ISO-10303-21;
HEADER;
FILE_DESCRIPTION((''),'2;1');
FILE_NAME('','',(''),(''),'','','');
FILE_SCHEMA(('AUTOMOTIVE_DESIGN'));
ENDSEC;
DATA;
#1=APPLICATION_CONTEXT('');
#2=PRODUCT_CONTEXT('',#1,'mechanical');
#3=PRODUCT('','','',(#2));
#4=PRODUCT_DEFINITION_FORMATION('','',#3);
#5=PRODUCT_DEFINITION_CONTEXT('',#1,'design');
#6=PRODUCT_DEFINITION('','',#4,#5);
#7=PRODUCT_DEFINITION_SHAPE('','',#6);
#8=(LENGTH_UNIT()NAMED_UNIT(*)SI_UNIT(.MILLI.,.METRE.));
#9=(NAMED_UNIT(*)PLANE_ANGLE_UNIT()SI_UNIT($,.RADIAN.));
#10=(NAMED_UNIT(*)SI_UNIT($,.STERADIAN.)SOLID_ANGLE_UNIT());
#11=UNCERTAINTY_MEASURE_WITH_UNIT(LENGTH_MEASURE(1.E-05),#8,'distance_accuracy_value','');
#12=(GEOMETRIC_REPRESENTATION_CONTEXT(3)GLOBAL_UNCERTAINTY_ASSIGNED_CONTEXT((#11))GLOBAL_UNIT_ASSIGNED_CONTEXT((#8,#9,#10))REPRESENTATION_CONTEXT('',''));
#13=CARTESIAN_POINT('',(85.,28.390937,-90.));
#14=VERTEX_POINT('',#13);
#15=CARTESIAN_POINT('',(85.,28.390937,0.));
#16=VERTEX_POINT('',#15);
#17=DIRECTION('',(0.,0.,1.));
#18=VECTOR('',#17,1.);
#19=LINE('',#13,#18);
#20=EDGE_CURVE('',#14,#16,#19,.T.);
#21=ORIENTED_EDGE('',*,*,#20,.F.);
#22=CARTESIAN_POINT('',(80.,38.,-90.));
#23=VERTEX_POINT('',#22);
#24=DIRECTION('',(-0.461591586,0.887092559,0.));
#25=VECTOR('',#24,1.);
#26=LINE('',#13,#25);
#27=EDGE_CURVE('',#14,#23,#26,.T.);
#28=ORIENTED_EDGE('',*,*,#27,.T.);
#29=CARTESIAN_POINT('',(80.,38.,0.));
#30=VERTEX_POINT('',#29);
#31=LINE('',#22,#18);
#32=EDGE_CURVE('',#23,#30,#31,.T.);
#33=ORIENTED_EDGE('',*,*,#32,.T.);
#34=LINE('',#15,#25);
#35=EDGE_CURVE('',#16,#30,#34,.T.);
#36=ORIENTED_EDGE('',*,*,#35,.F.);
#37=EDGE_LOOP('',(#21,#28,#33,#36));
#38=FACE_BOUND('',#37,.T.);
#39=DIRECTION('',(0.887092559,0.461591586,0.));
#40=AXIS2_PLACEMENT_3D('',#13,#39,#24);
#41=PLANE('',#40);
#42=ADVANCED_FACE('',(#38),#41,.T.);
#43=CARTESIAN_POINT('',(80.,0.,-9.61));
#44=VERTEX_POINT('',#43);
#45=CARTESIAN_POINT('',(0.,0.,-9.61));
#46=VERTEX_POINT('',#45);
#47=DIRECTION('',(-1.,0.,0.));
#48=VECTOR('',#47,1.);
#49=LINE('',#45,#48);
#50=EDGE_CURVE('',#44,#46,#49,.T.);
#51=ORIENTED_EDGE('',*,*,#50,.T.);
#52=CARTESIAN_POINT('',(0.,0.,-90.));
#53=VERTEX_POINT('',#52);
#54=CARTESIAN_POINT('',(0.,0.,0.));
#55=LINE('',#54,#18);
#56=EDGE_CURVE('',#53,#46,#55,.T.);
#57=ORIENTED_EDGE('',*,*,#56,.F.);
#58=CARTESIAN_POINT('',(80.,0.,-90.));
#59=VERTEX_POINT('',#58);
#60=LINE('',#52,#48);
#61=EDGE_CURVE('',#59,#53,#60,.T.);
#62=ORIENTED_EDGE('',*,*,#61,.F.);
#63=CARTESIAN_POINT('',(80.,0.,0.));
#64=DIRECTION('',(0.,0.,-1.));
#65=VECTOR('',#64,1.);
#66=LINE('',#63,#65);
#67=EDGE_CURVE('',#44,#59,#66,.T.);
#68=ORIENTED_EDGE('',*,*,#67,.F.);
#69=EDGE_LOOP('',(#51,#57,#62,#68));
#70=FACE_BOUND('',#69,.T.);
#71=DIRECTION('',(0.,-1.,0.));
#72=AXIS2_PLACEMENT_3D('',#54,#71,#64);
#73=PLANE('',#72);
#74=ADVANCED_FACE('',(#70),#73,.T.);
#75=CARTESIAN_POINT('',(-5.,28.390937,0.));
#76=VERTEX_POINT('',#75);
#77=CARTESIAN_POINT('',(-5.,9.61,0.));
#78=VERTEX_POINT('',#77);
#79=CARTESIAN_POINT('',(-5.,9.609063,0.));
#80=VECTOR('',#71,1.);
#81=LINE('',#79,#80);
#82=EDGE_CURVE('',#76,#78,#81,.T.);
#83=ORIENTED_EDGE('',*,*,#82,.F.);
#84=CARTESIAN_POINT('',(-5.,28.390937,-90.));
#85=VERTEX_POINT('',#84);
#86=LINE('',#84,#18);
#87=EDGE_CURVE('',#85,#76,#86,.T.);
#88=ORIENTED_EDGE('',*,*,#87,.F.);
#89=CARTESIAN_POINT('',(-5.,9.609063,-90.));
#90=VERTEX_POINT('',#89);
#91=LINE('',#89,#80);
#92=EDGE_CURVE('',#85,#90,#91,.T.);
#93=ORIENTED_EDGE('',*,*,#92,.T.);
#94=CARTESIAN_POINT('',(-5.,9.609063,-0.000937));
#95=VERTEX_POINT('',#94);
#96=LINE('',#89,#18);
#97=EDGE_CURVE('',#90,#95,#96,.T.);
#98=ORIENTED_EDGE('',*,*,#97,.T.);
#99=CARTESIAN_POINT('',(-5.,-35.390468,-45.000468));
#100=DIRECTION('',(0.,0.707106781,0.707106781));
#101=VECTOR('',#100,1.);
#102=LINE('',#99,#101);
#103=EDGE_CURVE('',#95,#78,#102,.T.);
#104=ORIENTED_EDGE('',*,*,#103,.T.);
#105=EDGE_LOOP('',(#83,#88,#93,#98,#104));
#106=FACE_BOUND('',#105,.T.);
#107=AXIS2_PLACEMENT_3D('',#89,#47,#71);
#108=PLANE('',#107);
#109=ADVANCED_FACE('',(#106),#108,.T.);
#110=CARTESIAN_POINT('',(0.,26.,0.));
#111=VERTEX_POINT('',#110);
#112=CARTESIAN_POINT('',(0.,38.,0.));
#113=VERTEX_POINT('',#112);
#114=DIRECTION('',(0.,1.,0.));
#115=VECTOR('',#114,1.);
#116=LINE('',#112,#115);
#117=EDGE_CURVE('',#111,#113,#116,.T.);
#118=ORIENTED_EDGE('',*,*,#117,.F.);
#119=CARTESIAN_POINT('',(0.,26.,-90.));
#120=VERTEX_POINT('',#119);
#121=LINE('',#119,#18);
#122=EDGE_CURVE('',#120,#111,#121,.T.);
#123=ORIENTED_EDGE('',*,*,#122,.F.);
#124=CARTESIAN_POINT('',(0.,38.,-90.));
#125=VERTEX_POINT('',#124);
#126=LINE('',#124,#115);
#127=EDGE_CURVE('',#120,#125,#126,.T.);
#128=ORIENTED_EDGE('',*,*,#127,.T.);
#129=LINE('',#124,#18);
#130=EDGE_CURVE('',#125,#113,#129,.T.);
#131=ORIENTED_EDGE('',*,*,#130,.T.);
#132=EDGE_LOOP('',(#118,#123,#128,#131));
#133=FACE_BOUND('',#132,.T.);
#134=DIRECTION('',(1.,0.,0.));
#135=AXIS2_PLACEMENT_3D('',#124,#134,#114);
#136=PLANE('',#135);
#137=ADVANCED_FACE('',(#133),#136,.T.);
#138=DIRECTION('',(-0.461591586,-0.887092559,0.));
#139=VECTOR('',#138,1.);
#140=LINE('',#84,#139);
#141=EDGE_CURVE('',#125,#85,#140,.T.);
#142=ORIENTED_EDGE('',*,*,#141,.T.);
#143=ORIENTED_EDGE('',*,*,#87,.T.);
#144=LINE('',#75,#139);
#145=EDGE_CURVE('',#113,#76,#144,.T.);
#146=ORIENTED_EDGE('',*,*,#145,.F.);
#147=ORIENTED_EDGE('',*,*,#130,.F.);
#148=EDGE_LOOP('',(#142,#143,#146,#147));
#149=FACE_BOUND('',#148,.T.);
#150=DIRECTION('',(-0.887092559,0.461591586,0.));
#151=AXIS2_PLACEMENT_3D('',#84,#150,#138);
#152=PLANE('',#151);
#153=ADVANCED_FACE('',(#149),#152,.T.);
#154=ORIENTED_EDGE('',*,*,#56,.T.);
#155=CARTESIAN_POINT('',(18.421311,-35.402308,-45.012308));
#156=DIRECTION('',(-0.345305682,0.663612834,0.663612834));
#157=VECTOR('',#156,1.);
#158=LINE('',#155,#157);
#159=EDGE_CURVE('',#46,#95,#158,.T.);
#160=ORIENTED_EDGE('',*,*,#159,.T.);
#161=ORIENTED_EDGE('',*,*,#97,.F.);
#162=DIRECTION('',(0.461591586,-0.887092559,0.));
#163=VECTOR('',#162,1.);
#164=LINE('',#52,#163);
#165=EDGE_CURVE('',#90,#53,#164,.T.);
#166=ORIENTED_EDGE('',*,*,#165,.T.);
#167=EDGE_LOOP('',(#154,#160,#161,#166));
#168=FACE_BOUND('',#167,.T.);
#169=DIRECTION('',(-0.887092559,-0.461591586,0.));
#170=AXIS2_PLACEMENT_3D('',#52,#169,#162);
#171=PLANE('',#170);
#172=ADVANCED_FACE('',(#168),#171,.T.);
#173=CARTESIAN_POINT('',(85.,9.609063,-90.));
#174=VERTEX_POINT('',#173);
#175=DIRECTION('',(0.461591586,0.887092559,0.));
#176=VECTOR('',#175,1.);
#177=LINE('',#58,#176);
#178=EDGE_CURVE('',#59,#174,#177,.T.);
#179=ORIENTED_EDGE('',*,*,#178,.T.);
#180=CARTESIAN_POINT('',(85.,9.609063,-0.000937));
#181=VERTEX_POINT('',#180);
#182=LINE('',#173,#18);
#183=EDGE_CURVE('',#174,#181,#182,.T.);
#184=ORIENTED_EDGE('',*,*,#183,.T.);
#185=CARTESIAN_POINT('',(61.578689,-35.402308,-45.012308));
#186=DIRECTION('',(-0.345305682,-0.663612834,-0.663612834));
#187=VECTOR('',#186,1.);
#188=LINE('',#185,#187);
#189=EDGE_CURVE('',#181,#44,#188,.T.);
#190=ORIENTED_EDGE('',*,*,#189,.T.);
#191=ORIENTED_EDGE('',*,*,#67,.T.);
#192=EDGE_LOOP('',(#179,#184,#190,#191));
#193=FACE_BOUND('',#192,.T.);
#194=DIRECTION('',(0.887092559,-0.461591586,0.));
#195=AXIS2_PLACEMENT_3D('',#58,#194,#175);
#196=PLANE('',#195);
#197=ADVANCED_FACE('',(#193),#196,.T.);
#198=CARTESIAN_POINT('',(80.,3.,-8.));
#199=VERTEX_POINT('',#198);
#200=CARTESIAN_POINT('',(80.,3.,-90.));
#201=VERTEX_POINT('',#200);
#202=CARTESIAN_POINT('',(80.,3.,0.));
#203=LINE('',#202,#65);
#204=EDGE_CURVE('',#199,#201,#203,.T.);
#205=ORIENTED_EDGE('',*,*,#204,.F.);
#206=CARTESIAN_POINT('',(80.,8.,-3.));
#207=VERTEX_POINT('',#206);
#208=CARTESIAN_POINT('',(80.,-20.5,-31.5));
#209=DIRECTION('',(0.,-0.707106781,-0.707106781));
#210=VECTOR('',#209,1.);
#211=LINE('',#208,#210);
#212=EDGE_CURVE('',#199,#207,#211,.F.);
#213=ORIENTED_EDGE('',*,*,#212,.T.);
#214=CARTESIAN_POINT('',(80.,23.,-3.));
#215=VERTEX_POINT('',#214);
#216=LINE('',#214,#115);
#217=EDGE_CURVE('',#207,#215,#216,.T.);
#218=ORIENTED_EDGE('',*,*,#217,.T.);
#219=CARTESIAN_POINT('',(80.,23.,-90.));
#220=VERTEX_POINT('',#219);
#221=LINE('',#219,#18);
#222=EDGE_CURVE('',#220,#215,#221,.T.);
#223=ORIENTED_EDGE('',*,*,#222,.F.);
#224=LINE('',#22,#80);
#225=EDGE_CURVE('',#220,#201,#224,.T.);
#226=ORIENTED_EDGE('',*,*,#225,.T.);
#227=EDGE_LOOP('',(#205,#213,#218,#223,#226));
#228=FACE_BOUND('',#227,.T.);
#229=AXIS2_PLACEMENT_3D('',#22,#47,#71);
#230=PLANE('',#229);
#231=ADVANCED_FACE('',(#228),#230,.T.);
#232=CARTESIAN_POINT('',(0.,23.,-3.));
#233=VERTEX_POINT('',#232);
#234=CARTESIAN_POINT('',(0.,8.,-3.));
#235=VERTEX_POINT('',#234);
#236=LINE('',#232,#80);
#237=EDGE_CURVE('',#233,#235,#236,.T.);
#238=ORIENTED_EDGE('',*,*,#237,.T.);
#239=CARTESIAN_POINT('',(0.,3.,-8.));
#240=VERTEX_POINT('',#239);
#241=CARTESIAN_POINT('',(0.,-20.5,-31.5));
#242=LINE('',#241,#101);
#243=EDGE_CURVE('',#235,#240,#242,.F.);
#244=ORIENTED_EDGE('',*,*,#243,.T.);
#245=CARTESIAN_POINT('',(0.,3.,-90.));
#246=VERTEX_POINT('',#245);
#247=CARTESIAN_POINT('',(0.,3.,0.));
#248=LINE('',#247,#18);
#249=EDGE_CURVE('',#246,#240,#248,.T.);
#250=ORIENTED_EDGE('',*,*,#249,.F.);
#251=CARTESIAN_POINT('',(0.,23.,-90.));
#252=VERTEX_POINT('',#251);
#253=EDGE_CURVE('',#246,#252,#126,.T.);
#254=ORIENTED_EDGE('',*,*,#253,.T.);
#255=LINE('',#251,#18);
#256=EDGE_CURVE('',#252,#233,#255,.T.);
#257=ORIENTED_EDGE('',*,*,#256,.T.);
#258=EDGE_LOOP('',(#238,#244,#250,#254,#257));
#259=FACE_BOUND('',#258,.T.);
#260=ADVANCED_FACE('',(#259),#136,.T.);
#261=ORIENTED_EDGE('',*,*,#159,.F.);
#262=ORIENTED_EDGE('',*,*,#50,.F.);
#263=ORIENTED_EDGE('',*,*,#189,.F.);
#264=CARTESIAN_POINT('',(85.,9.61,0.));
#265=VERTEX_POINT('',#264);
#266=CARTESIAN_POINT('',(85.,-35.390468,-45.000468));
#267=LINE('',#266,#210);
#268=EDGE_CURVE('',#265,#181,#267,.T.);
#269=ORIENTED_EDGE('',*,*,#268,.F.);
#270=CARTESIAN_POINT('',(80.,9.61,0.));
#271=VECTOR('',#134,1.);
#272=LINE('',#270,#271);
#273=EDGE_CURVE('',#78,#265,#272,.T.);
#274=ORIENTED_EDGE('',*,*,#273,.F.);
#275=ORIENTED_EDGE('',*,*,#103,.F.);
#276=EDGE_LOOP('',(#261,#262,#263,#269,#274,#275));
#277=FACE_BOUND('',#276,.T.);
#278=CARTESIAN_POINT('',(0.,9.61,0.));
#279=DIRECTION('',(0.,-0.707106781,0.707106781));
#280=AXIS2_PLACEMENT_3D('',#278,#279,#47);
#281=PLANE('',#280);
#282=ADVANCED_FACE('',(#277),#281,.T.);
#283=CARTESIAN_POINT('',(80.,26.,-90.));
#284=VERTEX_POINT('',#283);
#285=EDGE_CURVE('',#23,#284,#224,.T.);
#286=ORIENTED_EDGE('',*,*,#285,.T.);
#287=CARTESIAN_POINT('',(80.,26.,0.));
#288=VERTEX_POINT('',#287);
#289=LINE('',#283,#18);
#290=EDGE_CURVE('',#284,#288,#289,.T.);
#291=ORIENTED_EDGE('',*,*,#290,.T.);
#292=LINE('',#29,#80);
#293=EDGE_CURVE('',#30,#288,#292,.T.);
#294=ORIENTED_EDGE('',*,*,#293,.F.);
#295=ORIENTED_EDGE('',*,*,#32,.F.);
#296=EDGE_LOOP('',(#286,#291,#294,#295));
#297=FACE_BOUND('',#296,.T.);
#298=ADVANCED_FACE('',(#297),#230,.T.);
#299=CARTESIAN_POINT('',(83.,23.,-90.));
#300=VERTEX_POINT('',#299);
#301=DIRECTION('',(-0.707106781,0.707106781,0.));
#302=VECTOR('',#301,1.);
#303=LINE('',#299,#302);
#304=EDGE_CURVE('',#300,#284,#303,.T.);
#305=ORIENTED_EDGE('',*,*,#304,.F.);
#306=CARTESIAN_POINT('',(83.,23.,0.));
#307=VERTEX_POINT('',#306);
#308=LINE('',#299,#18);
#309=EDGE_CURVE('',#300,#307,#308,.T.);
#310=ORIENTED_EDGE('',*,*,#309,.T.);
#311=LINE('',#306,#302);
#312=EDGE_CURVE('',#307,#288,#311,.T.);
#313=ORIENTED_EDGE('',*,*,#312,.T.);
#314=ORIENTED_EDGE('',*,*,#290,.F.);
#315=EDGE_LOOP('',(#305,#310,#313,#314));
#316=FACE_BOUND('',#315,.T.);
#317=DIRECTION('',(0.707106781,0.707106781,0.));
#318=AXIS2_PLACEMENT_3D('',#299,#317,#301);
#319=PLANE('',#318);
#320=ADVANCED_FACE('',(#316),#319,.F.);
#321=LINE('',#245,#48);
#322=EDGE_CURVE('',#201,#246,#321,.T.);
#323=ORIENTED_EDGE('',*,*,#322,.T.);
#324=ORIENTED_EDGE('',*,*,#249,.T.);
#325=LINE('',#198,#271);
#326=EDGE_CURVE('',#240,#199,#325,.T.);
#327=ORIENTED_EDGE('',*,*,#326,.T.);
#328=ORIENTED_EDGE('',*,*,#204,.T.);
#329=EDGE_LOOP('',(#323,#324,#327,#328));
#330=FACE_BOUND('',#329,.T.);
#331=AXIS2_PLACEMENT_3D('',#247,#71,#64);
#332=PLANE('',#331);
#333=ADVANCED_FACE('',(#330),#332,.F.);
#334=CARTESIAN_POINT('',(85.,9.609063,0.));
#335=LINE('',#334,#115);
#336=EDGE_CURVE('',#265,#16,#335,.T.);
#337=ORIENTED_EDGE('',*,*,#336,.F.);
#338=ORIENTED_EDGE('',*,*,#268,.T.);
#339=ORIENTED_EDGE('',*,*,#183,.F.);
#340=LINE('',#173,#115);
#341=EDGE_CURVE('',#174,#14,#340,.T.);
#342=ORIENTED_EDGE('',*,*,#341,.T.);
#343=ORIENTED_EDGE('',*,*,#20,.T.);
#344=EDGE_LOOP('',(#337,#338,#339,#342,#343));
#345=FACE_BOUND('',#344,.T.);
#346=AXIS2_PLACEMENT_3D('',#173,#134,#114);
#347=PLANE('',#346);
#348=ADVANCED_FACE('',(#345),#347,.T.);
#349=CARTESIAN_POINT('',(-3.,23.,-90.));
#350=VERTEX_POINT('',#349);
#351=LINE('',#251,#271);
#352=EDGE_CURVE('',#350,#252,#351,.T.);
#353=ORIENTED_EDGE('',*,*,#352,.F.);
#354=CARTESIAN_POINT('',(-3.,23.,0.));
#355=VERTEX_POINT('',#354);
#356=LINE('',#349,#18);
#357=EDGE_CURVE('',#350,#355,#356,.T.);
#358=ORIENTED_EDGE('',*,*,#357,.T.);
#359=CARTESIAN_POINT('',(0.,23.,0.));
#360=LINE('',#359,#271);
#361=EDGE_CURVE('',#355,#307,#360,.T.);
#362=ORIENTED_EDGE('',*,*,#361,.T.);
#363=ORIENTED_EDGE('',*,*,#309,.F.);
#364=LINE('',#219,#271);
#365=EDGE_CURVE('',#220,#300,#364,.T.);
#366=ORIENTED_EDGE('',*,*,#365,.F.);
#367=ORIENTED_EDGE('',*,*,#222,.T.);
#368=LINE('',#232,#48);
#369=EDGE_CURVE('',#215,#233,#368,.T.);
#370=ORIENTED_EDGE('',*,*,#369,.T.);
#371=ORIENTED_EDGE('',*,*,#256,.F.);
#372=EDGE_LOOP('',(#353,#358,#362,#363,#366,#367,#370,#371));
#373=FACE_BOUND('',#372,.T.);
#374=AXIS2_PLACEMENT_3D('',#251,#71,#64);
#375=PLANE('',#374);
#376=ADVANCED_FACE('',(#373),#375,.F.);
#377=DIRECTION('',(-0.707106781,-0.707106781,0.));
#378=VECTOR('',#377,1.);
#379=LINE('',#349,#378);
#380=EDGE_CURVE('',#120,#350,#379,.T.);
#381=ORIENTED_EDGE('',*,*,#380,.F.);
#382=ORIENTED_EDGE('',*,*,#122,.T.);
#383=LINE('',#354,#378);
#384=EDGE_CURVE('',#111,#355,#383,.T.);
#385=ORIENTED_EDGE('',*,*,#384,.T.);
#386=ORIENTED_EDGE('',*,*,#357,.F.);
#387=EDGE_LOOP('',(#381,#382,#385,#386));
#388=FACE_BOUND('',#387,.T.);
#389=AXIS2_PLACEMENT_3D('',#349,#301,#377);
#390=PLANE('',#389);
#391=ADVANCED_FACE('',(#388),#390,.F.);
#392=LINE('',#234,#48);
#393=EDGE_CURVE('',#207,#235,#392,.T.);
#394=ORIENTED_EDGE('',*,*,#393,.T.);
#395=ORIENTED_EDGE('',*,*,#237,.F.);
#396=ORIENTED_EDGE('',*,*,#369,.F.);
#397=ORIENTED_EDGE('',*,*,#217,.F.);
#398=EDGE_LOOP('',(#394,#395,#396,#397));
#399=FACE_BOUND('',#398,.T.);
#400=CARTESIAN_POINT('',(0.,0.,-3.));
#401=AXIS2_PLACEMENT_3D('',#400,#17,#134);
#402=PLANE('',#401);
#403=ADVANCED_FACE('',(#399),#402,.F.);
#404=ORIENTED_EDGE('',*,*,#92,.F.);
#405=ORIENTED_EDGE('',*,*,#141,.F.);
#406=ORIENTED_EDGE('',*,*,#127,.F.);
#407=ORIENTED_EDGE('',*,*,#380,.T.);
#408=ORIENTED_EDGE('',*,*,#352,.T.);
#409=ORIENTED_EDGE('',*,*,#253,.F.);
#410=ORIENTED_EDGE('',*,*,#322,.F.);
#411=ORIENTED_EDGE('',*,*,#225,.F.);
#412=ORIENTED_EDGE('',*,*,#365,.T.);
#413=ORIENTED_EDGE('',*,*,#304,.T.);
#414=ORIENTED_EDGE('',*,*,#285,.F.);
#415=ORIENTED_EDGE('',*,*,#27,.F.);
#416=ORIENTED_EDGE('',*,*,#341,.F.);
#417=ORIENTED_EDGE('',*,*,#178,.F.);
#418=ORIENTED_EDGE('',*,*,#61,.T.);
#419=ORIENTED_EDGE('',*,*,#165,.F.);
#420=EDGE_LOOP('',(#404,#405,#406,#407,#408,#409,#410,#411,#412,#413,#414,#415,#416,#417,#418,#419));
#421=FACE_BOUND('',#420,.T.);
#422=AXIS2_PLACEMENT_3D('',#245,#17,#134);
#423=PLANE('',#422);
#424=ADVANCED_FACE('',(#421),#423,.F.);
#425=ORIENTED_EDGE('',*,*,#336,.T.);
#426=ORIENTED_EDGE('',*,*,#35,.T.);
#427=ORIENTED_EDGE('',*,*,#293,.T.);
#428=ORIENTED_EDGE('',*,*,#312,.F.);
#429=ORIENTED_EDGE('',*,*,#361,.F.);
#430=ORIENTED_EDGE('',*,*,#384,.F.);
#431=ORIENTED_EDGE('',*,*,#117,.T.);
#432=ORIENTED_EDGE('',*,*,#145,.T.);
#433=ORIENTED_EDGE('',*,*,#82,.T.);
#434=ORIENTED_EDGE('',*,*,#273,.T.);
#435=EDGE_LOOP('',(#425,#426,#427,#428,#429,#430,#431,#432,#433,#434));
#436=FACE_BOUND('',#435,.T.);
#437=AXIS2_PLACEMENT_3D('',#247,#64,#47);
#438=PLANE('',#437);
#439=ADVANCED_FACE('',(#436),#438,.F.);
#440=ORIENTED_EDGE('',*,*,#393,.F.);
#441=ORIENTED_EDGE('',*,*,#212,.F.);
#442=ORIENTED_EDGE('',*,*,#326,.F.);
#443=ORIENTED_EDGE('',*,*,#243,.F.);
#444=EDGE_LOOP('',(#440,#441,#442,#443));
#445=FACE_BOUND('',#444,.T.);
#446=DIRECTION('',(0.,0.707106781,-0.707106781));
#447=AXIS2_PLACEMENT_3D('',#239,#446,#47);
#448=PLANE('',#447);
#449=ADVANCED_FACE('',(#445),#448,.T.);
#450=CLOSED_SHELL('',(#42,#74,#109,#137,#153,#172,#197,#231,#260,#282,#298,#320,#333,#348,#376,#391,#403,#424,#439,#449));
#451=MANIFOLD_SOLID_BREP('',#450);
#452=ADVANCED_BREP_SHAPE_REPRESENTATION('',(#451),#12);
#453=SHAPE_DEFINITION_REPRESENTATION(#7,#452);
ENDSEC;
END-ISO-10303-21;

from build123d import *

# Parameters (mm, degrees)
SKETCH1_W                           = 80
SKETCH1_H                           = 90
BOSS_EXTRUDE1_BASE_DEPTH            = 3
BOSS_EXTRUDE4_SIDE_WALLS_DEPTH      = 90
CUT_EXTRUDE2_GUIDE_HOLES_DEPTH      = 130.495173655
SKETCH15_W                          = 80
SKETCH15_H                          = 20
BOSS_EXTRUDE9_FRONT_WALL_DEPTH      = 3
CHAMFER5_FRONT_CHAMFER_SIZE         = 9.61
CHAMFER6_FRONT_CHAMFER_CLEANUP_SIZE = 5


with BuildPart() as part:
    # Sketch1 → Boss-Extrude1 (Base) (new body)
    with BuildSketch(Plane(origin=(0, 0, 0), x_dir=(1, 0, 0), z_dir=(0, 1, 0))):
        with Locations((40, 45)):
            Rectangle(SKETCH1_W, SKETCH1_H)
    extrude(amount=BOSS_EXTRUDE1_BASE_DEPTH)

    # Sketch5 → Boss-Extrude4 (Side Walls) (add, through all)
    with BuildSketch(Plane.XY):
        Polygon((-5, 28.390936655), (0, 38), (0, 0), (-5, 9.609063345), align=None)
        Polygon((85, 9.609063345), (85, 28.390936655), (80, 38), (80, 0), align=None)
    extrude(amount=-BOSS_EXTRUDE4_SIDE_WALLS_DEPTH)

    # Sketch4 → Cut-Extrude2 (Guide Holes) (cut, through all)
    with BuildSketch(Plane.XY):
        Polygon((-3, 23), (0, 26), (0, 23), align=None)
        Polygon((80, 23), (83, 23), (80, 26), align=None)
    extrude(amount=-CUT_EXTRUDE2_GUIDE_HOLES_DEPTH, mode=Mode.SUBTRACT)

    # Sketch15 → Boss-Extrude9 (Front Wall) (add)
    with BuildSketch(Plane.XY):
        with Locations((40, 13)):
            Rectangle(SKETCH15_W, SKETCH15_H)
    extrude(amount=-BOSS_EXTRUDE9_FRONT_WALL_DEPTH)

    # Chamfer5 (Front Chamfer)
    chamfer5_front_chamfer_edges = [part.edges().sort_by_distance(p)[0] for p in [
        (40, 0, 0),
    ]]
    chamfer(chamfer5_front_chamfer_edges, length=CHAMFER5_FRONT_CHAMFER_SIZE)

    # Chamfer6 (Front Chamfer Cleanup)
    chamfer6_front_chamfer_cleanup_edges = [part.edges().sort_by_distance(p)[0] for p in [
        (40, 3, -3),
    ]]
    chamfer(chamfer6_front_chamfer_cleanup_edges, length=CHAMFER6_FRONT_CHAMFER_CLEANUP_SIZE)


solid = part.part
